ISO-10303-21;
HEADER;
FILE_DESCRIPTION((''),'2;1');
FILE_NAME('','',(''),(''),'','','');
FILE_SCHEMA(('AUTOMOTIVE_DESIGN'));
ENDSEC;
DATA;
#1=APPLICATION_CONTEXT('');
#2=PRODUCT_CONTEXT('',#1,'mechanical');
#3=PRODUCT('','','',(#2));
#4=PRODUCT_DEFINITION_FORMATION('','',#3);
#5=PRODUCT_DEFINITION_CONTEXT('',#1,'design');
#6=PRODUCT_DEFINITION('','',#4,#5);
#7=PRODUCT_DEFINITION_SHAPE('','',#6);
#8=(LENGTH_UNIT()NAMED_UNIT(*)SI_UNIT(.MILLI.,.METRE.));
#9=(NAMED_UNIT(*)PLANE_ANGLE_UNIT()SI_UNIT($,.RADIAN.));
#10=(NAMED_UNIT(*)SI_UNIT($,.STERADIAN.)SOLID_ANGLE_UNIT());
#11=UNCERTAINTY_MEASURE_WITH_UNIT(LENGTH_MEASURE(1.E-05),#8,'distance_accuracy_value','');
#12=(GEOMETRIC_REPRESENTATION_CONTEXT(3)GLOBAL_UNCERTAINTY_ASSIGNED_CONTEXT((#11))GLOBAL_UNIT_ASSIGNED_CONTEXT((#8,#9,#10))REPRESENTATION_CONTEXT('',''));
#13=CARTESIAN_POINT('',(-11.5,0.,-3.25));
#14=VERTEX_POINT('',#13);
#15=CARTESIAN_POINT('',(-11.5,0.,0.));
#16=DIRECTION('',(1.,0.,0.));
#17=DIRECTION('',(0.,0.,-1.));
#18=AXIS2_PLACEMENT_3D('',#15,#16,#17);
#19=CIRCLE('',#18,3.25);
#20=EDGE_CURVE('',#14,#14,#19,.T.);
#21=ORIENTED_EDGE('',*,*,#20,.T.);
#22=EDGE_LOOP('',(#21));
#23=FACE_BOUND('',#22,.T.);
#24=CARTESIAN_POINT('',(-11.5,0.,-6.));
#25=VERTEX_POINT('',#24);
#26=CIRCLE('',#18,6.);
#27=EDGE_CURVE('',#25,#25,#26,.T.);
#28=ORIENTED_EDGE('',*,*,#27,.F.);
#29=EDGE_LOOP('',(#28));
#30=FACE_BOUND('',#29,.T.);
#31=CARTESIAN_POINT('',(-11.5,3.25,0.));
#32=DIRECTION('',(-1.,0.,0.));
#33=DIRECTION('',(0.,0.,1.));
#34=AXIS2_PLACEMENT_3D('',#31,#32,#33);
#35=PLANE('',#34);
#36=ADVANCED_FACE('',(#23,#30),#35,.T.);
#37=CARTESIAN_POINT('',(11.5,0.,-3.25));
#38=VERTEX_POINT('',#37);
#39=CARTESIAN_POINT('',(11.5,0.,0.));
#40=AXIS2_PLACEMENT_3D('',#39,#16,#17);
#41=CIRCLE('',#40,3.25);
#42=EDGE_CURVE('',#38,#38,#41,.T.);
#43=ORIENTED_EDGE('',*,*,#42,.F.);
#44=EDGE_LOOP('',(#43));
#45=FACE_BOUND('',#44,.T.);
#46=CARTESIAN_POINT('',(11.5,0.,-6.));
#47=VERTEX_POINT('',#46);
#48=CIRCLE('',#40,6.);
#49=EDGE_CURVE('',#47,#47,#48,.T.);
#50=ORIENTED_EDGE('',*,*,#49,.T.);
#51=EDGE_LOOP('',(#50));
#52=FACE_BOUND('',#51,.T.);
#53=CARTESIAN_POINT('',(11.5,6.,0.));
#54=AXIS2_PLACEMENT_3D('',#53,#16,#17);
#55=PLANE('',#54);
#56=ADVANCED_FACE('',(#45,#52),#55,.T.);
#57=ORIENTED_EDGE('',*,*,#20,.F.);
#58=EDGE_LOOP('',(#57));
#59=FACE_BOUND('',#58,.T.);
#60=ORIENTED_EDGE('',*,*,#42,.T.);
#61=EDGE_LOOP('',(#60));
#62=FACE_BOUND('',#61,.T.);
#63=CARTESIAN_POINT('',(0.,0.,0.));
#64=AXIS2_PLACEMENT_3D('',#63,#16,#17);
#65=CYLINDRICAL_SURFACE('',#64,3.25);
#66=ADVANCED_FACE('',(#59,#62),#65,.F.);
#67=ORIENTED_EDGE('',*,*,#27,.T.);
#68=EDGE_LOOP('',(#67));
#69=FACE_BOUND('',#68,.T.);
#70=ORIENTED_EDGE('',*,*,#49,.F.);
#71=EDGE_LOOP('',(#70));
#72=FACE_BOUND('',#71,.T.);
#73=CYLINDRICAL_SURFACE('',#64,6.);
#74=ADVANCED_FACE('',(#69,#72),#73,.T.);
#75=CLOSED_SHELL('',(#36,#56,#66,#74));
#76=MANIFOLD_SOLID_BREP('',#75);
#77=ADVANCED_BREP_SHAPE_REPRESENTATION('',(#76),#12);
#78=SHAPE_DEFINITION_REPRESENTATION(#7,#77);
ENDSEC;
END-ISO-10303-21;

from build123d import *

# Parameters (mm, degrees)
SKETCH_1_W = 23
SKETCH_1_H = 2.75


with BuildPart() as part:
    # Эскиз1 → Повернуть1 (revolve)
    with BuildSketch(Plane.XY, mode=Mode.PRIVATE) as revolve_1_sk:
        with Locations((0, 4.625)):
            Rectangle(SKETCH_1_W, SKETCH_1_H)
    revolve(revolve_1_sk.sketch.rotate(Axis((0, 0, 0), (-1, 0, 0)), 90), axis=Axis((0, 0, 0), (-1, 0, 0)))


solid = part.part
